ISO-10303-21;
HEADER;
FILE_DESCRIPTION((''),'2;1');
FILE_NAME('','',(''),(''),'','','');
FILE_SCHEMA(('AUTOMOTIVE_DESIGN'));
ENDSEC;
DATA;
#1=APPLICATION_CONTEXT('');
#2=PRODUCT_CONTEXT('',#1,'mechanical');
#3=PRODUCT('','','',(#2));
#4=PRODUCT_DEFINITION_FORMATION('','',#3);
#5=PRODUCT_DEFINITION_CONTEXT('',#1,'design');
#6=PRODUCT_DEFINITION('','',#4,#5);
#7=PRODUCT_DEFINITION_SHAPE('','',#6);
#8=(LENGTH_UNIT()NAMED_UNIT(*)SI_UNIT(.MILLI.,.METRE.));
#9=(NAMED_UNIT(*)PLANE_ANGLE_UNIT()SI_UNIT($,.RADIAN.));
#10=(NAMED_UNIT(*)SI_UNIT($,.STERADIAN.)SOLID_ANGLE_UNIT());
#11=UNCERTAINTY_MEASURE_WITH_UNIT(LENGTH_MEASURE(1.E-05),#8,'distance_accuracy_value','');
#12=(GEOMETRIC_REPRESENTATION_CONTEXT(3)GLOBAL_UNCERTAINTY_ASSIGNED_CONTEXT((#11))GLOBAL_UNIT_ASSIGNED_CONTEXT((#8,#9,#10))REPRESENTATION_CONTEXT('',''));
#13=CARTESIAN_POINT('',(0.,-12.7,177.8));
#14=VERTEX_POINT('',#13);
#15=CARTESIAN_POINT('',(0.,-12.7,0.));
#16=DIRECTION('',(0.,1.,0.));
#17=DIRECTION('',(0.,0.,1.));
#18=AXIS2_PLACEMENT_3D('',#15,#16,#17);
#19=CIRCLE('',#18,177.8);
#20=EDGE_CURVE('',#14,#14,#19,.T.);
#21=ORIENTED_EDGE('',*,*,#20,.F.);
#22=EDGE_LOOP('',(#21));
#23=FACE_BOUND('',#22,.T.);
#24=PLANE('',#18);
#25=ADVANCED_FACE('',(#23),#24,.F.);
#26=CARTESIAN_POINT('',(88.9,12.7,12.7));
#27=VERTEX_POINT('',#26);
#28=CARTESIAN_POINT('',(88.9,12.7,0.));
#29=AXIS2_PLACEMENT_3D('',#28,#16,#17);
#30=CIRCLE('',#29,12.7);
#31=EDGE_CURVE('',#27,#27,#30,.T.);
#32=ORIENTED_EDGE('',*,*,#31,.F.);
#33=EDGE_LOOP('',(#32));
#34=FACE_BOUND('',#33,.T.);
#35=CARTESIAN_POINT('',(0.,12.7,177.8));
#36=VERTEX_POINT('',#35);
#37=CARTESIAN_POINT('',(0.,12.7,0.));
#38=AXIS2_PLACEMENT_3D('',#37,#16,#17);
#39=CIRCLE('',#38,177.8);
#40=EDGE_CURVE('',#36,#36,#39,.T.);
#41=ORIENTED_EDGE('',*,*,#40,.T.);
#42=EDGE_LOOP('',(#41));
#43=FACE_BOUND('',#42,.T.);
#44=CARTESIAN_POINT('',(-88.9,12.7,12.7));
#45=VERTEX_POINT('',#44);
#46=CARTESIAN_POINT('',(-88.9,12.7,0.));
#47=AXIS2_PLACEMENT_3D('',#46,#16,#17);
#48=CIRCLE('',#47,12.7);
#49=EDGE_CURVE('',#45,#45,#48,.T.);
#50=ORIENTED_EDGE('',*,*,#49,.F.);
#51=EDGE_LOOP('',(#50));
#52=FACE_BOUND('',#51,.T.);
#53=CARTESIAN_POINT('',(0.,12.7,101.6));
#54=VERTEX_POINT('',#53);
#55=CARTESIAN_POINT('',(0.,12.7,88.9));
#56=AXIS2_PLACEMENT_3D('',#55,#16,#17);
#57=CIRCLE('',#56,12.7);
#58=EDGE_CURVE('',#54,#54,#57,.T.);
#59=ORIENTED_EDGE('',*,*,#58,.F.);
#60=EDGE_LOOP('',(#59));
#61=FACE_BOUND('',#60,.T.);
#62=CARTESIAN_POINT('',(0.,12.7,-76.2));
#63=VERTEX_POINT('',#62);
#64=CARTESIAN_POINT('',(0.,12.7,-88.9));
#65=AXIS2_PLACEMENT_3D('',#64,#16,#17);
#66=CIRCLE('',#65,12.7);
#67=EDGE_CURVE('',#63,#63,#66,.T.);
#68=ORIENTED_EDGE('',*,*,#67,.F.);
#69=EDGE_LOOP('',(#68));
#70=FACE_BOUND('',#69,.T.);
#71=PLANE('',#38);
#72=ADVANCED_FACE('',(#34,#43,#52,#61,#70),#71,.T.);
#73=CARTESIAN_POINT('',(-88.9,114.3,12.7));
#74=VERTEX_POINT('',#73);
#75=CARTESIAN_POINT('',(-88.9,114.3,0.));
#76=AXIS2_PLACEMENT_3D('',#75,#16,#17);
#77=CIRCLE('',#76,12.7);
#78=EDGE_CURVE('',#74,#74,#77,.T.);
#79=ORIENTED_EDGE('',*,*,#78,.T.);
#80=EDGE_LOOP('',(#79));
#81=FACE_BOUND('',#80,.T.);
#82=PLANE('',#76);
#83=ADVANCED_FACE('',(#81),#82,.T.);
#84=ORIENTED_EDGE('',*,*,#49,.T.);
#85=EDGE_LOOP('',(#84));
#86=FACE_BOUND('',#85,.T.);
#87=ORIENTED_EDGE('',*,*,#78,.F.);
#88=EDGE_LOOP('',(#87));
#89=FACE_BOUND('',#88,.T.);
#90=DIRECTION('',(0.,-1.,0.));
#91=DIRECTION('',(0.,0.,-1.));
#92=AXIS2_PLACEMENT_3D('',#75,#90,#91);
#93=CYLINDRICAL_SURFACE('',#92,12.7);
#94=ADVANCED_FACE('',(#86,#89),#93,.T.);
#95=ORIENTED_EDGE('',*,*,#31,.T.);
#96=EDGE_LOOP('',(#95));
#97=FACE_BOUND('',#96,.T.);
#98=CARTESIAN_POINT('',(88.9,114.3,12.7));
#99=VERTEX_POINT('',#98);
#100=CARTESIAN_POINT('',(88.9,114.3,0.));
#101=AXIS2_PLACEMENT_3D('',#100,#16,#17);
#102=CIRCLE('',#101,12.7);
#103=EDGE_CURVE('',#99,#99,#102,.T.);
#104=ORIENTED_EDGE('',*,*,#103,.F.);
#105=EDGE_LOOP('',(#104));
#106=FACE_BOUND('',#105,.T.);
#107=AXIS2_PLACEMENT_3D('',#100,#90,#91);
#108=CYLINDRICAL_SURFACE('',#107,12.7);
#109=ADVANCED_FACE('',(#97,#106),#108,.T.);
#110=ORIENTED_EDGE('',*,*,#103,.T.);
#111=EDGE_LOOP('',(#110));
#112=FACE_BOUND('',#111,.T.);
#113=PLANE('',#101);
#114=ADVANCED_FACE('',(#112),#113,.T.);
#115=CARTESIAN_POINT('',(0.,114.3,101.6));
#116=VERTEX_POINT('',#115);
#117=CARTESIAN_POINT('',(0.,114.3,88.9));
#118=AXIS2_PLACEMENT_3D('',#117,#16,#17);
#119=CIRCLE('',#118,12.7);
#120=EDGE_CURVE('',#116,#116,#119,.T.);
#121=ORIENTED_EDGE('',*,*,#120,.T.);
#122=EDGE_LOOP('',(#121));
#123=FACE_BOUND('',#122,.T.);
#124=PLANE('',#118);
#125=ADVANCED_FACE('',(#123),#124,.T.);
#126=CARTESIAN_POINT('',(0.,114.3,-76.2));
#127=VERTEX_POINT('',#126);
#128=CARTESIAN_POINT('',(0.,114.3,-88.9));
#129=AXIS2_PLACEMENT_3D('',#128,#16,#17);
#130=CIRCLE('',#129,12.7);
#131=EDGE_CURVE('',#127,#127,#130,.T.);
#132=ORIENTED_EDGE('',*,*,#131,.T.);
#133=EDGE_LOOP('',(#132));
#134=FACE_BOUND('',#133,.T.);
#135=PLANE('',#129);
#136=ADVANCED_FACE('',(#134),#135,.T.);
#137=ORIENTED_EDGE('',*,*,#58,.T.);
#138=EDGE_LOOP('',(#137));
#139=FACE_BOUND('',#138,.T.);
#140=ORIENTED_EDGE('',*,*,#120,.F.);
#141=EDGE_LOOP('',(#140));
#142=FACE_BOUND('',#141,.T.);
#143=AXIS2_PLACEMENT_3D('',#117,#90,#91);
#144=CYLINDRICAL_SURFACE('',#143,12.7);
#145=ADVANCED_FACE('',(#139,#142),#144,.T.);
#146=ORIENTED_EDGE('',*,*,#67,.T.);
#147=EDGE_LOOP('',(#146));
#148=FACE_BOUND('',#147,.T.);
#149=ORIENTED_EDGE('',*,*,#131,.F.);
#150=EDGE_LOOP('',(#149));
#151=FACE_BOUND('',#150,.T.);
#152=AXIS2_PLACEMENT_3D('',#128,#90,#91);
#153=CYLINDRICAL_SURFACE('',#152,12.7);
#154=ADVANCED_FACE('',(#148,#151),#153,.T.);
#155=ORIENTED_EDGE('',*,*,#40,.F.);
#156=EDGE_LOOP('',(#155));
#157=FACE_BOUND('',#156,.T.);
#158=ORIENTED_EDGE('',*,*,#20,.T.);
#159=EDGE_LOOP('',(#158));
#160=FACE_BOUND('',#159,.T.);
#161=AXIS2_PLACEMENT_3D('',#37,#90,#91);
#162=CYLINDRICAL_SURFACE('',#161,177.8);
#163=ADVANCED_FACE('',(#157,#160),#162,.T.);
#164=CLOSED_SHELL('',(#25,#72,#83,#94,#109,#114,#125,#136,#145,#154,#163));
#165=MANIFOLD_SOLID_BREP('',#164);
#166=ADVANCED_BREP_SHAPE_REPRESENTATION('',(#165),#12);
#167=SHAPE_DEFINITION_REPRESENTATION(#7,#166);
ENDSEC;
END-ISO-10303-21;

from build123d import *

# Parameters (mm, degrees)
SKETCH1_R           = 177.8
BOSS_EXTRUDE1_DEPTH = 12.7
SKETCH2_R           = 12.7
BOSS_EXTRUDE2_DEPTH = 101.6


with BuildPart() as part:
    # Sketch1 → Boss-Extrude1 (new body, symmetric)
    with BuildSketch(Plane(origin=(0, 0, 0), x_dir=(1, 0, 0), z_dir=(0, 1, 0))):
        Circle(SKETCH1_R)
    extrude(amount=BOSS_EXTRUDE1_DEPTH, both=True)

    # Sketch2 → Boss-Extrude2 (add)
    with BuildSketch(Plane(origin=(0, 12.7, 0), x_dir=(1, 0, 0), z_dir=(0, 1, 0))):
        with Locations((0, 88.9)):
            Circle(SKETCH2_R)
        with Locations((0, -88.9)):
            Circle(SKETCH2_R)
        with Locations((88.9, 0)):
            Circle(SKETCH2_R)
        with Locations((-88.9, 0)):
            Circle(SKETCH2_R)
    extrude(amount=BOSS_EXTRUDE2_DEPTH)


solid = part.part
